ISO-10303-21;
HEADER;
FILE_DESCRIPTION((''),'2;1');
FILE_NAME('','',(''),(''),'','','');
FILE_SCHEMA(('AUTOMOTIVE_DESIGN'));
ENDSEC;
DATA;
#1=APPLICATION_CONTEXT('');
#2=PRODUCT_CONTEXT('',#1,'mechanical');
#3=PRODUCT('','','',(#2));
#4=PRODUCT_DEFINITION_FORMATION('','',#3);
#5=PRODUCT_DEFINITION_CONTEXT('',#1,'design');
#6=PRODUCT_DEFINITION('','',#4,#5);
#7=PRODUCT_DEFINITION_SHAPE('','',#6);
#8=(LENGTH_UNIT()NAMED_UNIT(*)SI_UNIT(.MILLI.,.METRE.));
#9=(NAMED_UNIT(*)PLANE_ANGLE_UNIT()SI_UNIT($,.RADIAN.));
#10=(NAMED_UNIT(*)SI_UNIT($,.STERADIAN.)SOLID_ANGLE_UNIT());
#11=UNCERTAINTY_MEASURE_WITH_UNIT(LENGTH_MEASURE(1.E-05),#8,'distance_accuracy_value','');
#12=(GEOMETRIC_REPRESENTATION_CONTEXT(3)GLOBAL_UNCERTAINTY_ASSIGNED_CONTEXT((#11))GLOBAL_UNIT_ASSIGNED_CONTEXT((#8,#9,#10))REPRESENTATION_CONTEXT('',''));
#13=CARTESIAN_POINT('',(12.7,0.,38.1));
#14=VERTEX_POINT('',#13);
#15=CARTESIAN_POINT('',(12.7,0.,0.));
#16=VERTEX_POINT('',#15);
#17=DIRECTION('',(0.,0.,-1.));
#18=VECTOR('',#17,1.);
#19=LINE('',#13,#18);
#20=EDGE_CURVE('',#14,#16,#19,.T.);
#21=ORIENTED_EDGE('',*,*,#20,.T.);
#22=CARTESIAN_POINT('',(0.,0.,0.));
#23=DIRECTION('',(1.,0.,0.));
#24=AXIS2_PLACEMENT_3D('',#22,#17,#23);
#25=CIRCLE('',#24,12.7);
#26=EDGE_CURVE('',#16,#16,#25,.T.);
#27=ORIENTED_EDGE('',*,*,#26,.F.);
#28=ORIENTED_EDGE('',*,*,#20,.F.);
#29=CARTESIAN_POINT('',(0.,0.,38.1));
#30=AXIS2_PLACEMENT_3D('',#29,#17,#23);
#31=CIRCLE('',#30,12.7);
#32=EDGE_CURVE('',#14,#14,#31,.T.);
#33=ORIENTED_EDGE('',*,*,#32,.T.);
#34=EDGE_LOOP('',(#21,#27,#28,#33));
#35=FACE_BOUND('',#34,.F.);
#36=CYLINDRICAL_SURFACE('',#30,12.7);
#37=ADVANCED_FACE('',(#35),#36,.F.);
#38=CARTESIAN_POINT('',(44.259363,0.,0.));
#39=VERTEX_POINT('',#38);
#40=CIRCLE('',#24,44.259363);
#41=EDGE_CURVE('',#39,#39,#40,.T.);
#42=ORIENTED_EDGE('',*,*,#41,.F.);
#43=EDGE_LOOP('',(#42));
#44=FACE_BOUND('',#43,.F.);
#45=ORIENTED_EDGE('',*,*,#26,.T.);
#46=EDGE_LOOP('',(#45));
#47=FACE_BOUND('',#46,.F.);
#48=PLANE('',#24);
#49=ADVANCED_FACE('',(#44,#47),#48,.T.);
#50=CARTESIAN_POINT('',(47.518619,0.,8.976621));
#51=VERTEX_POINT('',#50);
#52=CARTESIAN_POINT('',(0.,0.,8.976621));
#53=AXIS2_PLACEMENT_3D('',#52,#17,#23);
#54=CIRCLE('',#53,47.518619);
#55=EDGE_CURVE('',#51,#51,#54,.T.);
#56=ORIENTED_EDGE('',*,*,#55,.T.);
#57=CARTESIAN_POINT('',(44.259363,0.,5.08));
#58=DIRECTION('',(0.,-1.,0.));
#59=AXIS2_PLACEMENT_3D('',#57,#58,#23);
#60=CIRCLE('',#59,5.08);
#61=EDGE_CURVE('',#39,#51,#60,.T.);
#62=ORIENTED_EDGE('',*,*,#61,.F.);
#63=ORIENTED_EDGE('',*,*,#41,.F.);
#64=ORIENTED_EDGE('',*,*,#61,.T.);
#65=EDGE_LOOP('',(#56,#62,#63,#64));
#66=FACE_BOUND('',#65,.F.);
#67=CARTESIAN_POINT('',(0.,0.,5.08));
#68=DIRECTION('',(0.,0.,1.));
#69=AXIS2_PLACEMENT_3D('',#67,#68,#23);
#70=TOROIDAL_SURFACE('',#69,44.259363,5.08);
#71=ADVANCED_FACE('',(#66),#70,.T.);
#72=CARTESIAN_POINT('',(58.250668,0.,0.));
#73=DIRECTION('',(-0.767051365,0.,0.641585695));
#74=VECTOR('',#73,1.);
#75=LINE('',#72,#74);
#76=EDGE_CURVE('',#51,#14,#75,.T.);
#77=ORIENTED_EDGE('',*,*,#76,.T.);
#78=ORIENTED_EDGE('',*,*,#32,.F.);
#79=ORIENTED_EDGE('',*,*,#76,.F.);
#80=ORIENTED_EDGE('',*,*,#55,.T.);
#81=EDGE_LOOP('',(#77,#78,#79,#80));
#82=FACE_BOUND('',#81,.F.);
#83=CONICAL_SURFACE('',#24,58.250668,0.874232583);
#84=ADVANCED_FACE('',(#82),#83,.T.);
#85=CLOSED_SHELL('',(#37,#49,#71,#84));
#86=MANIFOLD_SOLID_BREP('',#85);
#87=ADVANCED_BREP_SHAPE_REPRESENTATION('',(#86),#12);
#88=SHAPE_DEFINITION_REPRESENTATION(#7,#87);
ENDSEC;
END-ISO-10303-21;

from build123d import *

# Parameters (mm, degrees)
F2_R = 5.08


with BuildPart() as f1:
    # F0 (on Front) → F1 (revolve)
    with BuildSketch(Plane.XZ):
        Polygon((12.7, 38.1), (12.7, 0), (58.250668, 0), align=None)
    revolve(axis=Axis((0, 0, 24.468667), (0, 0, -1)))

    # F2
    f2_edges = [f1.edges().sort_by_distance(p)[0] for p in [
        (-58.250668, 0, 0),
    ]]
    fillet(f2_edges, radius=F2_R)


solid = f1.part
